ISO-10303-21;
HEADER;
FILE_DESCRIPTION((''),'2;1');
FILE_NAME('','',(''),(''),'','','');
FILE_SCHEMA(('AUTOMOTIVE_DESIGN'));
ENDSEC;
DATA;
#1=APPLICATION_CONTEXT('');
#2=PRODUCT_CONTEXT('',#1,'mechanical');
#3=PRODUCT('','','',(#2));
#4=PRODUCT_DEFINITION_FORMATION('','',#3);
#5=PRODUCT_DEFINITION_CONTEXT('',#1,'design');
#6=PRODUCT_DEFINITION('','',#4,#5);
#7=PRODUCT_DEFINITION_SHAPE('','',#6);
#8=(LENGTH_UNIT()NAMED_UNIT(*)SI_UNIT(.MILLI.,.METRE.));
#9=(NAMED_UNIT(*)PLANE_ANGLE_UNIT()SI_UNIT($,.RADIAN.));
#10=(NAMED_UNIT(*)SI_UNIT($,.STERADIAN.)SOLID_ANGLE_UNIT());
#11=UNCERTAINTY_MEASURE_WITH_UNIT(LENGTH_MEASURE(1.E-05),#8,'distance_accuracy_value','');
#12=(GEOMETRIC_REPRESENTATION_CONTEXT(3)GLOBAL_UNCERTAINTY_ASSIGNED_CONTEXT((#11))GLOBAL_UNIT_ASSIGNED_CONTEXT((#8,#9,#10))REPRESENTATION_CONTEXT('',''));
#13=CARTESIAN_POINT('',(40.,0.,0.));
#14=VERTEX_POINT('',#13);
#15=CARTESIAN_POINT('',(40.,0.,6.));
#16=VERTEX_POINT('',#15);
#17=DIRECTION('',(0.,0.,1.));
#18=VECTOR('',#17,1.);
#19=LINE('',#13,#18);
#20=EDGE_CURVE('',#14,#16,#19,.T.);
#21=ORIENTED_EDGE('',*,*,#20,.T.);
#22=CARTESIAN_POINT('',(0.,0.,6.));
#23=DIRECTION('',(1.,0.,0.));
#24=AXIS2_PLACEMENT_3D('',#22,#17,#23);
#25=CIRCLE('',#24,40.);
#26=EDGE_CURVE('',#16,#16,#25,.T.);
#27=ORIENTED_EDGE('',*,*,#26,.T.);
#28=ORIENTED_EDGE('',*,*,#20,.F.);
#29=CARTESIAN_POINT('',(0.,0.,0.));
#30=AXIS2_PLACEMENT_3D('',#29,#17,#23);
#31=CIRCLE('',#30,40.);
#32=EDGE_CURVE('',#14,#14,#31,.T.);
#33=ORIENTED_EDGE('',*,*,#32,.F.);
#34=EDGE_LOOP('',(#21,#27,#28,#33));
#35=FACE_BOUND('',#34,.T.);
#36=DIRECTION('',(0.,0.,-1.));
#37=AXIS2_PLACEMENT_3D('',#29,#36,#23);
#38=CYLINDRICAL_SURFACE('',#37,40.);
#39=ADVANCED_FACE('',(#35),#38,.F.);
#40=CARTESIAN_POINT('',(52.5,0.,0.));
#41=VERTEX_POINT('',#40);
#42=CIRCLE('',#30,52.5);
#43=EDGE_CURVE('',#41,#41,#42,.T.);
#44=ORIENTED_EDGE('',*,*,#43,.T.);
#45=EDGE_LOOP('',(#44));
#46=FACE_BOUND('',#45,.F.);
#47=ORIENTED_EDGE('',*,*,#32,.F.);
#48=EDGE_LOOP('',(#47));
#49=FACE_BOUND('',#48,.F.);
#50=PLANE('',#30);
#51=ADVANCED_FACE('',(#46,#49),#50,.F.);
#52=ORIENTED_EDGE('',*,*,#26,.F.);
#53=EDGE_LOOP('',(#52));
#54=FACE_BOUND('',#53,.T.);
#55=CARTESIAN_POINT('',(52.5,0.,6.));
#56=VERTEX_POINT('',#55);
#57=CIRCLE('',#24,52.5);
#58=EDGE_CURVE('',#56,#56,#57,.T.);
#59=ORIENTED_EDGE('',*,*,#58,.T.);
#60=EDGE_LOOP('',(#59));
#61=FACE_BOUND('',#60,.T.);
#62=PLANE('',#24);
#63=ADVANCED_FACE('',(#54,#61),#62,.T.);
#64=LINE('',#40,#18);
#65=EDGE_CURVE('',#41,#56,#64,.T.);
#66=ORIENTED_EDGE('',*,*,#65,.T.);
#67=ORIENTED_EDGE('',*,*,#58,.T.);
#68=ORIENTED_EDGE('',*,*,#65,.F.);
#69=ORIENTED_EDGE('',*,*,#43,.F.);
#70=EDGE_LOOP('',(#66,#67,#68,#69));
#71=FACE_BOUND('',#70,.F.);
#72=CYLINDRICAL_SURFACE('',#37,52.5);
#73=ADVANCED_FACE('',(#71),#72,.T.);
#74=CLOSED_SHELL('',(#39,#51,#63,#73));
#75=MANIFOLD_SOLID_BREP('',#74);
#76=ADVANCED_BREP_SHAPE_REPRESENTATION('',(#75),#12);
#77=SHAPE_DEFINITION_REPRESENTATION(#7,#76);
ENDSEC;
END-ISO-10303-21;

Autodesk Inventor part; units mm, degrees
ref_plane "YZ Plane" through (0, 0, 0) normal (1, 0, 0) x (0, 1, 0)
ref_plane "XZ Plane" through (0, 0, 0) normal (0, 1, 0) x (-1, 0, 0)
ref_plane "XY Plane" through (0, 0, 0) normal (0, 0, 1) x (1, 0, 0)
sketch "Sketch1" plane through (0, 0, 0) normal (0, 0, 1) x (1, 0, 0)
  circle A0 centre (0, 0) radius 40
  circle A1 centre (0, 0) radius 52.5
  dimension "d0" = 80
  dimension "d1" = 105
extrude "Extrusion1" add sketch "Sketch1" along normal blind 6
properties part number "Thrust Bearing, Gear" material "Stainless Steel"
